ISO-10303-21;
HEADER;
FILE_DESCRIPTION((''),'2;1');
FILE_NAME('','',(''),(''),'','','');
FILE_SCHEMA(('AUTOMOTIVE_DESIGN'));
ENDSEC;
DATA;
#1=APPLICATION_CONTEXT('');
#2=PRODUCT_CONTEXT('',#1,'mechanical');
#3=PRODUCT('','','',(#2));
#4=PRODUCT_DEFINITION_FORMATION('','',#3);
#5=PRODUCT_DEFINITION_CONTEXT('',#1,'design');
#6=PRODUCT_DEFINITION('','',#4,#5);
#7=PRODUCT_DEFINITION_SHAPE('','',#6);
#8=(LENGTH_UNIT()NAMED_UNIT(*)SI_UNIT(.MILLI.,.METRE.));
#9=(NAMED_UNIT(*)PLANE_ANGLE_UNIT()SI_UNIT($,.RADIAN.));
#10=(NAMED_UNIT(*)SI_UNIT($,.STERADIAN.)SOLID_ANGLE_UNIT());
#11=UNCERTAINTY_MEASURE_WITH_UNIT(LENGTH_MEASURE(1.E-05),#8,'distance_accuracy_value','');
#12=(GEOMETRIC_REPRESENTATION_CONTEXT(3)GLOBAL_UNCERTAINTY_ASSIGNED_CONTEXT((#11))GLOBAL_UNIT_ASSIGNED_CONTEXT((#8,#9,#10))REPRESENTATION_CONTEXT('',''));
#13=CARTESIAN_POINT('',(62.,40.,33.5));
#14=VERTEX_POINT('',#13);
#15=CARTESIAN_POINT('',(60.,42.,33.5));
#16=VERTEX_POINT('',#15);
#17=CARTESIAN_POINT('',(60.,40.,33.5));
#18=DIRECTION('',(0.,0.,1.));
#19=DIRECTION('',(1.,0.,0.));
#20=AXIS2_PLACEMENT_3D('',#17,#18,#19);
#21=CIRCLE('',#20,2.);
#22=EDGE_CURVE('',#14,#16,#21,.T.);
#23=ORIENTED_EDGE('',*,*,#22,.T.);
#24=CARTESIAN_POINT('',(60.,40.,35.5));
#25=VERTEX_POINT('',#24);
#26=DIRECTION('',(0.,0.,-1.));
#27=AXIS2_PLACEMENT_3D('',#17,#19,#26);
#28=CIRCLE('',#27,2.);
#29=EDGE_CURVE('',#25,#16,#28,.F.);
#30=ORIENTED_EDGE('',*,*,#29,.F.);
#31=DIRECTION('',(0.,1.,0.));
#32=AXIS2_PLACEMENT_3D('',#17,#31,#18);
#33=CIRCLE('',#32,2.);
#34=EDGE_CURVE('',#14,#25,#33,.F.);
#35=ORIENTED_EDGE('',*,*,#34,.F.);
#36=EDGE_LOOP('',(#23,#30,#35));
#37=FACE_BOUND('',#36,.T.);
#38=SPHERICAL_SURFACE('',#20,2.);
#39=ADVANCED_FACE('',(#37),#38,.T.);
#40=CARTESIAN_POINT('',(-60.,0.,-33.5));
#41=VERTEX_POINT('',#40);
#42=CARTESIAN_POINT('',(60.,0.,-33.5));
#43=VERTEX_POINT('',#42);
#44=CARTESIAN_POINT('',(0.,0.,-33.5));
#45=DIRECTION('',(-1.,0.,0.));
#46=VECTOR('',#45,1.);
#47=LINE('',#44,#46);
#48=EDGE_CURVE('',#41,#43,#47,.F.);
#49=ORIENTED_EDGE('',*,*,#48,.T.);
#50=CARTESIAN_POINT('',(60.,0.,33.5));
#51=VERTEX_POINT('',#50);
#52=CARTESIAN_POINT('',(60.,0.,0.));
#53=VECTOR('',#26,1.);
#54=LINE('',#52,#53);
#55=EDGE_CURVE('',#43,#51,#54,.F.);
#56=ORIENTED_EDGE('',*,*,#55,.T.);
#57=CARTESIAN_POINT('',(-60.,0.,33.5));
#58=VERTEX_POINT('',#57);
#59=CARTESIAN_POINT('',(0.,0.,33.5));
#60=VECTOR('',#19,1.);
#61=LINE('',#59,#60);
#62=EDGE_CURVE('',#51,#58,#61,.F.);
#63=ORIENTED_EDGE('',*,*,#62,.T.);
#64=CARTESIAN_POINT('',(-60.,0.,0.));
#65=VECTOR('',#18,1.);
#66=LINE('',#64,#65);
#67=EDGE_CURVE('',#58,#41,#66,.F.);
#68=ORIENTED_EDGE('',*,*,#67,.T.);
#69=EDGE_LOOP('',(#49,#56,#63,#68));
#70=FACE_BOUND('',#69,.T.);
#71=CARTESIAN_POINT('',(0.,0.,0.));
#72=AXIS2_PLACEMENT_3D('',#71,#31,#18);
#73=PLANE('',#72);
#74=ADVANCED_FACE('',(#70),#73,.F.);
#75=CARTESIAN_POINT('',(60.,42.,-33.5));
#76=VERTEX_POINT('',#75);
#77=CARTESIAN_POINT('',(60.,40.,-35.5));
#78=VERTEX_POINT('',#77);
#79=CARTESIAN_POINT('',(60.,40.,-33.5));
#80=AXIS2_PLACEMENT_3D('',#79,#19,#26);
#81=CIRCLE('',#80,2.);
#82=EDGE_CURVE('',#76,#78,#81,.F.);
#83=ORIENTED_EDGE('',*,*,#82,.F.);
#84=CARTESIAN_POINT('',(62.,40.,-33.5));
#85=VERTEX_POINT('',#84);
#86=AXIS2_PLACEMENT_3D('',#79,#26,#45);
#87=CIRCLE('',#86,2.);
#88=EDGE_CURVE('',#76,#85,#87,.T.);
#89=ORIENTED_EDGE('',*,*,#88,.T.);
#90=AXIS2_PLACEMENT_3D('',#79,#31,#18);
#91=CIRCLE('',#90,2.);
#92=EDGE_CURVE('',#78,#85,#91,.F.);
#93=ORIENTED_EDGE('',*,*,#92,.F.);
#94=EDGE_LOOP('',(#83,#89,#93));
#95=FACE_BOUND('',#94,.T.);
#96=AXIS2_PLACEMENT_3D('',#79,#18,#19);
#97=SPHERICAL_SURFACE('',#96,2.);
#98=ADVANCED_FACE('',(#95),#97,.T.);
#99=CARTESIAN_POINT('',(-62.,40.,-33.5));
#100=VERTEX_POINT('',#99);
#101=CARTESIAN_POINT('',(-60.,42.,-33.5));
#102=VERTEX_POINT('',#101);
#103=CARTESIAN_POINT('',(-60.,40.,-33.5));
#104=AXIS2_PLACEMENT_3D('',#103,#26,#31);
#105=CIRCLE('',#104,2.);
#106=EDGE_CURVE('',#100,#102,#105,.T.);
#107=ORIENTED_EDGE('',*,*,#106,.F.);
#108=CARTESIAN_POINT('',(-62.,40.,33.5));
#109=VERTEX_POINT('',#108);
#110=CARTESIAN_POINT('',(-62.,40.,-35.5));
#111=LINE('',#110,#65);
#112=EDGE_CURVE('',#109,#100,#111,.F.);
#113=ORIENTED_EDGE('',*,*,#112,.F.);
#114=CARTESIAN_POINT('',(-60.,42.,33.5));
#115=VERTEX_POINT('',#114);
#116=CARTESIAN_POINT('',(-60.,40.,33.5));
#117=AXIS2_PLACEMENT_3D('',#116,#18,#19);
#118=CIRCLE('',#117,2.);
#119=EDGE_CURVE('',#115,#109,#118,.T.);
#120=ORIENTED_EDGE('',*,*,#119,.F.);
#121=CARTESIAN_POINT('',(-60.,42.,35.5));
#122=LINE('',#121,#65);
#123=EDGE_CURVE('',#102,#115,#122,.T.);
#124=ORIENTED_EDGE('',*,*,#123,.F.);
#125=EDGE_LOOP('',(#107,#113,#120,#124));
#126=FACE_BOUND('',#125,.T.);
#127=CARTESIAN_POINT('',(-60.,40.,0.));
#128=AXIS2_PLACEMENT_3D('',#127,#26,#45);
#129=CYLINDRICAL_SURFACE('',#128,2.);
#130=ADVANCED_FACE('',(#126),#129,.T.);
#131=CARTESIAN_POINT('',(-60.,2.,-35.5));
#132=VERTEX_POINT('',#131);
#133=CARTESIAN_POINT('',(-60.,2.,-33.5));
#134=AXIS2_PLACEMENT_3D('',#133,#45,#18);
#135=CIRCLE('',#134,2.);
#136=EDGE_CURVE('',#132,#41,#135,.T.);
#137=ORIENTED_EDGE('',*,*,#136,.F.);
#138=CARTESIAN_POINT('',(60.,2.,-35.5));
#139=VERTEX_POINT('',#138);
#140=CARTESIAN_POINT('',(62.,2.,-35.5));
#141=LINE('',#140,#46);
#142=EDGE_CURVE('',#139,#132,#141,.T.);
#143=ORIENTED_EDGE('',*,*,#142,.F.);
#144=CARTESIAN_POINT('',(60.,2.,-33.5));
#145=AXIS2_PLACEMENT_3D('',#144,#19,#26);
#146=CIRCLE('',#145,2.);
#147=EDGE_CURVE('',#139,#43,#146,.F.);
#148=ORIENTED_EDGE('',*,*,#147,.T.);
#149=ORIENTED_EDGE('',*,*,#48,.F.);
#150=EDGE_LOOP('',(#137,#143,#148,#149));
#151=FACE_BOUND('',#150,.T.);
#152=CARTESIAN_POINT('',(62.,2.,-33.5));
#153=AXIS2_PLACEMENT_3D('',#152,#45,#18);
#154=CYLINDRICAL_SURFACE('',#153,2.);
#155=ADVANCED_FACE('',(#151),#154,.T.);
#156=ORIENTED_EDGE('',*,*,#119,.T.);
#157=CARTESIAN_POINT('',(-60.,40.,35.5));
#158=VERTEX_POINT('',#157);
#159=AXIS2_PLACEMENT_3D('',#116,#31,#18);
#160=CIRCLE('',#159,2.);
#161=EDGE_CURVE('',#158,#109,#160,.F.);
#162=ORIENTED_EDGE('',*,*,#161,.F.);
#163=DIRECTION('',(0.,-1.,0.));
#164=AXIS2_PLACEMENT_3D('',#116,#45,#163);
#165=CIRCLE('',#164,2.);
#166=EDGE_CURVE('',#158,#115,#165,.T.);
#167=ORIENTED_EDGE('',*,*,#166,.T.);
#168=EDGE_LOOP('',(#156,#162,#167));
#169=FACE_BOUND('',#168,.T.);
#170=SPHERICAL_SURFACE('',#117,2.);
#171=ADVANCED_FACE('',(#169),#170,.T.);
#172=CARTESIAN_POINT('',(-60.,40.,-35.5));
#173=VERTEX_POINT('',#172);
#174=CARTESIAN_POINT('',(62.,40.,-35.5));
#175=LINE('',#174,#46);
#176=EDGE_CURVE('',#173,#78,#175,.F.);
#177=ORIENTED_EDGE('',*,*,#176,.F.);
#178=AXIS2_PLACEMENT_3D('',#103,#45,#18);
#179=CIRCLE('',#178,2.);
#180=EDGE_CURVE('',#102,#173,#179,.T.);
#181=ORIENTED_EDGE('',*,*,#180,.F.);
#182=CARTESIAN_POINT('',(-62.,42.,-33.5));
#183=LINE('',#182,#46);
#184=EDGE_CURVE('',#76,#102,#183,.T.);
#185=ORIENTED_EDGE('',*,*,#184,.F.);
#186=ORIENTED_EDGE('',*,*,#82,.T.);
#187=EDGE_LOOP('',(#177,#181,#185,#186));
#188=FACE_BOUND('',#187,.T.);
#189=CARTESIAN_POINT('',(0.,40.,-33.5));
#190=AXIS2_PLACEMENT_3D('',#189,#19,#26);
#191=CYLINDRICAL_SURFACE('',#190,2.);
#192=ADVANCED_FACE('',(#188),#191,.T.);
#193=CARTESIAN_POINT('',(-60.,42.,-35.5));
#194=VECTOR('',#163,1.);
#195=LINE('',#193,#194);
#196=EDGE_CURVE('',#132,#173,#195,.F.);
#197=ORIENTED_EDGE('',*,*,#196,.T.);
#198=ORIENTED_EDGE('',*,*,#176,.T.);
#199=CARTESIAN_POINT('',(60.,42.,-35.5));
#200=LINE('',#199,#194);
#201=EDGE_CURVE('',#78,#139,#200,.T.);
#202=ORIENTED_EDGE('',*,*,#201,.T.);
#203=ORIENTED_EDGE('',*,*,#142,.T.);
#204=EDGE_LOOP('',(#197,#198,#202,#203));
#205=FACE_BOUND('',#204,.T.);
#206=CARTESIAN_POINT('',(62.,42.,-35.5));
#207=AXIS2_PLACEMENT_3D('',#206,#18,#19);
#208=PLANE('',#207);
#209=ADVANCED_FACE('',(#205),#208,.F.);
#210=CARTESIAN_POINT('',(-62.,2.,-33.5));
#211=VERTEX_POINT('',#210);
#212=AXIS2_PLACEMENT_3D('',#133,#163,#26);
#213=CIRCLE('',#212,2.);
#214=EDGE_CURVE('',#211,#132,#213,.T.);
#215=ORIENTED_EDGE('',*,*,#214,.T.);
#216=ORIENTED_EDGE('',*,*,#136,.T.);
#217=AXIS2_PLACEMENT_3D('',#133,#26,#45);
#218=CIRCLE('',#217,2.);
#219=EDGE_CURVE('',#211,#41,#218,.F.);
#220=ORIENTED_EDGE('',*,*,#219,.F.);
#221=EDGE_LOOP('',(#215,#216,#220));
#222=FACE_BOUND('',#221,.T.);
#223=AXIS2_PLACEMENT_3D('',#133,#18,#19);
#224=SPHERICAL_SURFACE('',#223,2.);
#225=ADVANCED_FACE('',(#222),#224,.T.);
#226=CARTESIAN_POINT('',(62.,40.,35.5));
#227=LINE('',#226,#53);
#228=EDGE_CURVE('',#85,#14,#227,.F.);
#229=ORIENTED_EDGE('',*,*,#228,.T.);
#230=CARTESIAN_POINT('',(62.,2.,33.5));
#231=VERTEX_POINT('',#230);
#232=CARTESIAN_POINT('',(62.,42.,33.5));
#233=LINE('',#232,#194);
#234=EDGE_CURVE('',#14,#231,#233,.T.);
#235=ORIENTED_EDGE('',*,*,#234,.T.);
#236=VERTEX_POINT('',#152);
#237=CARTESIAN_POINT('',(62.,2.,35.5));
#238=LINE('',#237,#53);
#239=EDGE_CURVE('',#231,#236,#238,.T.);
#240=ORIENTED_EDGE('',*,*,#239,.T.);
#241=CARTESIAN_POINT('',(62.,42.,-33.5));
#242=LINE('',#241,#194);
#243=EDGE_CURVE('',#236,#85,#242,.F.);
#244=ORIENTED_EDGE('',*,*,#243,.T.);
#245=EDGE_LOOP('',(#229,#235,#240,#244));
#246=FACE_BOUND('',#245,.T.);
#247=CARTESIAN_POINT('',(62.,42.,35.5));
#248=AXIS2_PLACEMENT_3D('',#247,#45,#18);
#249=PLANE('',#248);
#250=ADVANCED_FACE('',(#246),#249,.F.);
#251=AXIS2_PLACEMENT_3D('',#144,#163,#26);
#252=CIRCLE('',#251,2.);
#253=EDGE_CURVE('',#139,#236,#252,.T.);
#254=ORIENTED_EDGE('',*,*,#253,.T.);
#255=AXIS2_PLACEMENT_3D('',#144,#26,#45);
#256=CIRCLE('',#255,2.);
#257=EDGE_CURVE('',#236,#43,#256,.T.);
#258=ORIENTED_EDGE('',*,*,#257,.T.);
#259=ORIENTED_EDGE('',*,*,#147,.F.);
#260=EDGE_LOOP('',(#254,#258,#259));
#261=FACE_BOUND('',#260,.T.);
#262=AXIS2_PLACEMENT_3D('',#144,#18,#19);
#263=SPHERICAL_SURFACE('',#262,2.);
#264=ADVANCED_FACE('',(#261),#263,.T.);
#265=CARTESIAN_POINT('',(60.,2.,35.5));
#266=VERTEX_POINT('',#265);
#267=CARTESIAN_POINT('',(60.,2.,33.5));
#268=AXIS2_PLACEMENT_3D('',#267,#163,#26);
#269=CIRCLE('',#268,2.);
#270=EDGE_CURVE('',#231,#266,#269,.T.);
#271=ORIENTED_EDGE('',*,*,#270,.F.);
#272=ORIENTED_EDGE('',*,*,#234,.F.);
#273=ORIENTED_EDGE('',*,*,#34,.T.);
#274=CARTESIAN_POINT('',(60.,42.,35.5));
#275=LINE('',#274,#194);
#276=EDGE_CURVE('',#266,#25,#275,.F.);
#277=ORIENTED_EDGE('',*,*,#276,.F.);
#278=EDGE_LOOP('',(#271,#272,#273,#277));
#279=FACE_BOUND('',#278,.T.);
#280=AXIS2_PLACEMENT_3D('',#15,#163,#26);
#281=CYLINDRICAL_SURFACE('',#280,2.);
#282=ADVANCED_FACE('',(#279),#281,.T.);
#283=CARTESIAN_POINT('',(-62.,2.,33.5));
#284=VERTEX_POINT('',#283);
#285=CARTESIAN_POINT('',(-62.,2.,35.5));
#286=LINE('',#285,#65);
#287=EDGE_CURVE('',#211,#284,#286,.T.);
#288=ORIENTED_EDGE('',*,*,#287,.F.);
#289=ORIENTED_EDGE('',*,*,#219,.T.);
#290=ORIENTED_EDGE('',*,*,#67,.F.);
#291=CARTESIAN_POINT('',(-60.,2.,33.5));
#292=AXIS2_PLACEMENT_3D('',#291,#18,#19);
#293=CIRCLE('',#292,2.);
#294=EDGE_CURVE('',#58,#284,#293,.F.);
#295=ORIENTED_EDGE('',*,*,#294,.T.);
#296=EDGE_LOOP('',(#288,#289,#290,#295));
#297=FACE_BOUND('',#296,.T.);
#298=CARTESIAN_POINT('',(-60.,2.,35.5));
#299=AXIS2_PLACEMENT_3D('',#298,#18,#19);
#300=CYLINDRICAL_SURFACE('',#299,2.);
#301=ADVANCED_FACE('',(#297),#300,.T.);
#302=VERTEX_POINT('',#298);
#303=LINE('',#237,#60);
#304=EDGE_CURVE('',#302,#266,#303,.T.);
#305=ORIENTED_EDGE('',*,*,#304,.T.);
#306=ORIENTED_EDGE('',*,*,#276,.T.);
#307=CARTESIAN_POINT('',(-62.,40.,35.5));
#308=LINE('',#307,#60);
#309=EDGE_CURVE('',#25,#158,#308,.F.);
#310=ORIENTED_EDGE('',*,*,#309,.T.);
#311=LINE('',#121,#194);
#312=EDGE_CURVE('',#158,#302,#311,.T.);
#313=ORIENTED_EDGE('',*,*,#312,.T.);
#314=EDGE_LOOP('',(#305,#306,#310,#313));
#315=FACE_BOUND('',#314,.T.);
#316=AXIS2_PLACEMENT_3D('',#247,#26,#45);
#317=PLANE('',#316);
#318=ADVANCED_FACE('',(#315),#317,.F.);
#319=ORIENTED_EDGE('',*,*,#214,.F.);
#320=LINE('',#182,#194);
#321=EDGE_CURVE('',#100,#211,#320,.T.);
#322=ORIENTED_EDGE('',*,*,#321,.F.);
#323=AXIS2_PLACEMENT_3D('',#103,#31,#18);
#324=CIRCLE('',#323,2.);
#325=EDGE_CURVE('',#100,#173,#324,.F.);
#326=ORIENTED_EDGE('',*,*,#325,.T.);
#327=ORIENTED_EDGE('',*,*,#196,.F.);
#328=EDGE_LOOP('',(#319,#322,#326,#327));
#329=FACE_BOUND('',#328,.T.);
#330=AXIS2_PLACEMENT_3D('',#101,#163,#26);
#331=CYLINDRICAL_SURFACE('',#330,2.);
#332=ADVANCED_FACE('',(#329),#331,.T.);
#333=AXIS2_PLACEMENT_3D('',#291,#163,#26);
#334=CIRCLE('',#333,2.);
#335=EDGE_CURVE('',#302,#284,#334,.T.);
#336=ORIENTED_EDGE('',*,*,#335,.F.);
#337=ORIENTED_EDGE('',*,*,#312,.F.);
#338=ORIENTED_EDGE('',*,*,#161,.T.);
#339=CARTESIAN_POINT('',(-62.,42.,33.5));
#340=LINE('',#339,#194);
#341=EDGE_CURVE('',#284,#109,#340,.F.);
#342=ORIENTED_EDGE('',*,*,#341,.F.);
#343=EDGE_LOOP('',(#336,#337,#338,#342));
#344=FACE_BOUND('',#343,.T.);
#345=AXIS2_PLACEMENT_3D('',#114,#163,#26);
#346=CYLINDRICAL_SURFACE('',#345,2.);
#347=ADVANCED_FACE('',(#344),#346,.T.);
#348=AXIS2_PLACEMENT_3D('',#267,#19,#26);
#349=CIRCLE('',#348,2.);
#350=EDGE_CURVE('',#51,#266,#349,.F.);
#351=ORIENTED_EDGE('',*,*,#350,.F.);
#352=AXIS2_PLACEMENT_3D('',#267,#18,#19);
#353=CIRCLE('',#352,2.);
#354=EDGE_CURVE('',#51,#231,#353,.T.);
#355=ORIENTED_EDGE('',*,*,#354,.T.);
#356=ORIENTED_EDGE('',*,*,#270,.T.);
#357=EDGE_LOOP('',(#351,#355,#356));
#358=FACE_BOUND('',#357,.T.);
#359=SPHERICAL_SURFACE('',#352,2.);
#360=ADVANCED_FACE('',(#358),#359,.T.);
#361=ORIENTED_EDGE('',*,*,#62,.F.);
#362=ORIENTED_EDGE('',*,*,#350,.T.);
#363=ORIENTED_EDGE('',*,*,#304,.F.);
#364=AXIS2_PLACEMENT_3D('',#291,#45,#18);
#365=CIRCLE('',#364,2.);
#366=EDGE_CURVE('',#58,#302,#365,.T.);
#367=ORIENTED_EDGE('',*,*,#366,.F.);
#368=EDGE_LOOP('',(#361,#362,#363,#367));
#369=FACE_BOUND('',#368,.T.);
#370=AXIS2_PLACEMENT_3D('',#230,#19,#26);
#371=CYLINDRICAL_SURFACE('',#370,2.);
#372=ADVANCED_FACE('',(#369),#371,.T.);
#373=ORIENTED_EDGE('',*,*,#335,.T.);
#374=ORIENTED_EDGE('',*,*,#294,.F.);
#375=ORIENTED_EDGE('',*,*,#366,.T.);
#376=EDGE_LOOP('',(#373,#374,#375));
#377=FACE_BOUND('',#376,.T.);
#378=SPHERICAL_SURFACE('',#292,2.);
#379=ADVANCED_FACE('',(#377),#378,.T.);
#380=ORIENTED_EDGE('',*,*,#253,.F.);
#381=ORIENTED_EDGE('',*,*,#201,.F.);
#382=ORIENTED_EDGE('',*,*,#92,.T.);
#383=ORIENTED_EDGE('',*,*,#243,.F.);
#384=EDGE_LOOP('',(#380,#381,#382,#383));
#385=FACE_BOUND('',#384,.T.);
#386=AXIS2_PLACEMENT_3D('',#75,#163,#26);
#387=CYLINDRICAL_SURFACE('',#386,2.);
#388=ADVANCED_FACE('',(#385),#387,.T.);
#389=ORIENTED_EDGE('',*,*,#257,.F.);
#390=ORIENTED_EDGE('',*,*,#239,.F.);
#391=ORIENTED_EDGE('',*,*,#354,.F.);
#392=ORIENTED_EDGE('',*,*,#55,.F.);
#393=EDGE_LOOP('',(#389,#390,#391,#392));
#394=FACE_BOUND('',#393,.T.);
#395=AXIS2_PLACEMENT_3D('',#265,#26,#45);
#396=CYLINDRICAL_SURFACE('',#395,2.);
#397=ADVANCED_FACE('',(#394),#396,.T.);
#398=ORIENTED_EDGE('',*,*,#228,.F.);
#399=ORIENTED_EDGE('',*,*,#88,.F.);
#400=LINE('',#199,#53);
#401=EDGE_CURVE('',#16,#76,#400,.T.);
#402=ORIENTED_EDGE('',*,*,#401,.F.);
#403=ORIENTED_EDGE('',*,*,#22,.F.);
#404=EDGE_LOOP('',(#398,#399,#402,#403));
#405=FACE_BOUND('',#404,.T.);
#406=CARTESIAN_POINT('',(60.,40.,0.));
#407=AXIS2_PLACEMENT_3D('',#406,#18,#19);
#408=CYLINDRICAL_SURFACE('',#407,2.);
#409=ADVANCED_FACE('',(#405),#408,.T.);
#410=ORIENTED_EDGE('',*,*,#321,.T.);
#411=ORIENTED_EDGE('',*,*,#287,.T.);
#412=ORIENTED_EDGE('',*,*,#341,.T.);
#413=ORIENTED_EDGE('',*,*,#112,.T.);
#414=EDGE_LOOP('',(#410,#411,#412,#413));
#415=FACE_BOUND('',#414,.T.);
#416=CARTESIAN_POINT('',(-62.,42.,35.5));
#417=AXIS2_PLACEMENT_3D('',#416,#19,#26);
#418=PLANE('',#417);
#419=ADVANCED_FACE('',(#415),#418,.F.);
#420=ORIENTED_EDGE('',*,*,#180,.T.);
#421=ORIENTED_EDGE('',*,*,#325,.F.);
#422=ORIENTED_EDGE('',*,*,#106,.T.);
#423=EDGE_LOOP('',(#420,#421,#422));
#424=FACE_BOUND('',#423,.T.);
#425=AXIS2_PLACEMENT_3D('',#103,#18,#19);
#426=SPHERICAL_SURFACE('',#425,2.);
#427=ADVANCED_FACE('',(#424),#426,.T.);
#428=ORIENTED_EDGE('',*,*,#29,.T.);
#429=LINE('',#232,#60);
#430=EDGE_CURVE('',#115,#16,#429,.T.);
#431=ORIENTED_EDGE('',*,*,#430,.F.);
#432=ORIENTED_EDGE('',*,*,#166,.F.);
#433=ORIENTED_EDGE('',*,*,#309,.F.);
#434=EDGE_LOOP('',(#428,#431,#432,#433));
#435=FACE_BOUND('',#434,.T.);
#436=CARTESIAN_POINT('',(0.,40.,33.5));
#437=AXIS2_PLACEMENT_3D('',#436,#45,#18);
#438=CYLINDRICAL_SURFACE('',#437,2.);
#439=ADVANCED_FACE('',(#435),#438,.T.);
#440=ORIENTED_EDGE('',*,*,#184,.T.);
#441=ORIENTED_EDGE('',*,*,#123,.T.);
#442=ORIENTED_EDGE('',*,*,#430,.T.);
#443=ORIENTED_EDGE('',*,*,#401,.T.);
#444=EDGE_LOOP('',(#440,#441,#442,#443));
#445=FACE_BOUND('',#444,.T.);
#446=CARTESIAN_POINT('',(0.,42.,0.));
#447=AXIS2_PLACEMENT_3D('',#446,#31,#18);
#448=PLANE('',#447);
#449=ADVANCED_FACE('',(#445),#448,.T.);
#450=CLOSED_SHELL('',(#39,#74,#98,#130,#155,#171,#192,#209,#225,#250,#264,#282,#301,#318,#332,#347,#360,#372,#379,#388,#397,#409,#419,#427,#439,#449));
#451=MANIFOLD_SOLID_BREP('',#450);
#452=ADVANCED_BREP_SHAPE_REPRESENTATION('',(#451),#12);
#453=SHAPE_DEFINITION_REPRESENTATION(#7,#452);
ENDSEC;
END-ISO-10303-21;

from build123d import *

# Parameters (mm, degrees)
SKETCH_1_W      = 124
SKETCH_1_H      = 71
EXTRUDE_1_DEPTH = 42
FILLET_1_R      = 2


with BuildPart() as part:
    # 草图1 → 凸台-拉伸1 (new body)
    with BuildSketch(Plane(origin=(0, 0, 0), x_dir=(1, 0, 0), z_dir=(0, 1, 0))):
        Rectangle(SKETCH_1_W, SKETCH_1_H)
    extrude(amount=EXTRUDE_1_DEPTH)

    # 圆角1
    fillet_1_edges = [part.edges().sort_by_distance(p)[0] for p in [
        (62, 42, 0),
        (0, 42, -35.5),
        (-62, 42, 0),
        (0, 0, -35.5),
        (62, 0, 0),
        (0, 0, 35.5),
        (-62, 0, 0),
        (-62, 21, -35.5),
        (62, 21, -35.5),
        (62, 21, 35.5),
        (-62, 21, 35.5),
        (0, 42, 35.5),
    ]]
    fillet(fillet_1_edges, radius=FILLET_1_R)


solid = part.part
